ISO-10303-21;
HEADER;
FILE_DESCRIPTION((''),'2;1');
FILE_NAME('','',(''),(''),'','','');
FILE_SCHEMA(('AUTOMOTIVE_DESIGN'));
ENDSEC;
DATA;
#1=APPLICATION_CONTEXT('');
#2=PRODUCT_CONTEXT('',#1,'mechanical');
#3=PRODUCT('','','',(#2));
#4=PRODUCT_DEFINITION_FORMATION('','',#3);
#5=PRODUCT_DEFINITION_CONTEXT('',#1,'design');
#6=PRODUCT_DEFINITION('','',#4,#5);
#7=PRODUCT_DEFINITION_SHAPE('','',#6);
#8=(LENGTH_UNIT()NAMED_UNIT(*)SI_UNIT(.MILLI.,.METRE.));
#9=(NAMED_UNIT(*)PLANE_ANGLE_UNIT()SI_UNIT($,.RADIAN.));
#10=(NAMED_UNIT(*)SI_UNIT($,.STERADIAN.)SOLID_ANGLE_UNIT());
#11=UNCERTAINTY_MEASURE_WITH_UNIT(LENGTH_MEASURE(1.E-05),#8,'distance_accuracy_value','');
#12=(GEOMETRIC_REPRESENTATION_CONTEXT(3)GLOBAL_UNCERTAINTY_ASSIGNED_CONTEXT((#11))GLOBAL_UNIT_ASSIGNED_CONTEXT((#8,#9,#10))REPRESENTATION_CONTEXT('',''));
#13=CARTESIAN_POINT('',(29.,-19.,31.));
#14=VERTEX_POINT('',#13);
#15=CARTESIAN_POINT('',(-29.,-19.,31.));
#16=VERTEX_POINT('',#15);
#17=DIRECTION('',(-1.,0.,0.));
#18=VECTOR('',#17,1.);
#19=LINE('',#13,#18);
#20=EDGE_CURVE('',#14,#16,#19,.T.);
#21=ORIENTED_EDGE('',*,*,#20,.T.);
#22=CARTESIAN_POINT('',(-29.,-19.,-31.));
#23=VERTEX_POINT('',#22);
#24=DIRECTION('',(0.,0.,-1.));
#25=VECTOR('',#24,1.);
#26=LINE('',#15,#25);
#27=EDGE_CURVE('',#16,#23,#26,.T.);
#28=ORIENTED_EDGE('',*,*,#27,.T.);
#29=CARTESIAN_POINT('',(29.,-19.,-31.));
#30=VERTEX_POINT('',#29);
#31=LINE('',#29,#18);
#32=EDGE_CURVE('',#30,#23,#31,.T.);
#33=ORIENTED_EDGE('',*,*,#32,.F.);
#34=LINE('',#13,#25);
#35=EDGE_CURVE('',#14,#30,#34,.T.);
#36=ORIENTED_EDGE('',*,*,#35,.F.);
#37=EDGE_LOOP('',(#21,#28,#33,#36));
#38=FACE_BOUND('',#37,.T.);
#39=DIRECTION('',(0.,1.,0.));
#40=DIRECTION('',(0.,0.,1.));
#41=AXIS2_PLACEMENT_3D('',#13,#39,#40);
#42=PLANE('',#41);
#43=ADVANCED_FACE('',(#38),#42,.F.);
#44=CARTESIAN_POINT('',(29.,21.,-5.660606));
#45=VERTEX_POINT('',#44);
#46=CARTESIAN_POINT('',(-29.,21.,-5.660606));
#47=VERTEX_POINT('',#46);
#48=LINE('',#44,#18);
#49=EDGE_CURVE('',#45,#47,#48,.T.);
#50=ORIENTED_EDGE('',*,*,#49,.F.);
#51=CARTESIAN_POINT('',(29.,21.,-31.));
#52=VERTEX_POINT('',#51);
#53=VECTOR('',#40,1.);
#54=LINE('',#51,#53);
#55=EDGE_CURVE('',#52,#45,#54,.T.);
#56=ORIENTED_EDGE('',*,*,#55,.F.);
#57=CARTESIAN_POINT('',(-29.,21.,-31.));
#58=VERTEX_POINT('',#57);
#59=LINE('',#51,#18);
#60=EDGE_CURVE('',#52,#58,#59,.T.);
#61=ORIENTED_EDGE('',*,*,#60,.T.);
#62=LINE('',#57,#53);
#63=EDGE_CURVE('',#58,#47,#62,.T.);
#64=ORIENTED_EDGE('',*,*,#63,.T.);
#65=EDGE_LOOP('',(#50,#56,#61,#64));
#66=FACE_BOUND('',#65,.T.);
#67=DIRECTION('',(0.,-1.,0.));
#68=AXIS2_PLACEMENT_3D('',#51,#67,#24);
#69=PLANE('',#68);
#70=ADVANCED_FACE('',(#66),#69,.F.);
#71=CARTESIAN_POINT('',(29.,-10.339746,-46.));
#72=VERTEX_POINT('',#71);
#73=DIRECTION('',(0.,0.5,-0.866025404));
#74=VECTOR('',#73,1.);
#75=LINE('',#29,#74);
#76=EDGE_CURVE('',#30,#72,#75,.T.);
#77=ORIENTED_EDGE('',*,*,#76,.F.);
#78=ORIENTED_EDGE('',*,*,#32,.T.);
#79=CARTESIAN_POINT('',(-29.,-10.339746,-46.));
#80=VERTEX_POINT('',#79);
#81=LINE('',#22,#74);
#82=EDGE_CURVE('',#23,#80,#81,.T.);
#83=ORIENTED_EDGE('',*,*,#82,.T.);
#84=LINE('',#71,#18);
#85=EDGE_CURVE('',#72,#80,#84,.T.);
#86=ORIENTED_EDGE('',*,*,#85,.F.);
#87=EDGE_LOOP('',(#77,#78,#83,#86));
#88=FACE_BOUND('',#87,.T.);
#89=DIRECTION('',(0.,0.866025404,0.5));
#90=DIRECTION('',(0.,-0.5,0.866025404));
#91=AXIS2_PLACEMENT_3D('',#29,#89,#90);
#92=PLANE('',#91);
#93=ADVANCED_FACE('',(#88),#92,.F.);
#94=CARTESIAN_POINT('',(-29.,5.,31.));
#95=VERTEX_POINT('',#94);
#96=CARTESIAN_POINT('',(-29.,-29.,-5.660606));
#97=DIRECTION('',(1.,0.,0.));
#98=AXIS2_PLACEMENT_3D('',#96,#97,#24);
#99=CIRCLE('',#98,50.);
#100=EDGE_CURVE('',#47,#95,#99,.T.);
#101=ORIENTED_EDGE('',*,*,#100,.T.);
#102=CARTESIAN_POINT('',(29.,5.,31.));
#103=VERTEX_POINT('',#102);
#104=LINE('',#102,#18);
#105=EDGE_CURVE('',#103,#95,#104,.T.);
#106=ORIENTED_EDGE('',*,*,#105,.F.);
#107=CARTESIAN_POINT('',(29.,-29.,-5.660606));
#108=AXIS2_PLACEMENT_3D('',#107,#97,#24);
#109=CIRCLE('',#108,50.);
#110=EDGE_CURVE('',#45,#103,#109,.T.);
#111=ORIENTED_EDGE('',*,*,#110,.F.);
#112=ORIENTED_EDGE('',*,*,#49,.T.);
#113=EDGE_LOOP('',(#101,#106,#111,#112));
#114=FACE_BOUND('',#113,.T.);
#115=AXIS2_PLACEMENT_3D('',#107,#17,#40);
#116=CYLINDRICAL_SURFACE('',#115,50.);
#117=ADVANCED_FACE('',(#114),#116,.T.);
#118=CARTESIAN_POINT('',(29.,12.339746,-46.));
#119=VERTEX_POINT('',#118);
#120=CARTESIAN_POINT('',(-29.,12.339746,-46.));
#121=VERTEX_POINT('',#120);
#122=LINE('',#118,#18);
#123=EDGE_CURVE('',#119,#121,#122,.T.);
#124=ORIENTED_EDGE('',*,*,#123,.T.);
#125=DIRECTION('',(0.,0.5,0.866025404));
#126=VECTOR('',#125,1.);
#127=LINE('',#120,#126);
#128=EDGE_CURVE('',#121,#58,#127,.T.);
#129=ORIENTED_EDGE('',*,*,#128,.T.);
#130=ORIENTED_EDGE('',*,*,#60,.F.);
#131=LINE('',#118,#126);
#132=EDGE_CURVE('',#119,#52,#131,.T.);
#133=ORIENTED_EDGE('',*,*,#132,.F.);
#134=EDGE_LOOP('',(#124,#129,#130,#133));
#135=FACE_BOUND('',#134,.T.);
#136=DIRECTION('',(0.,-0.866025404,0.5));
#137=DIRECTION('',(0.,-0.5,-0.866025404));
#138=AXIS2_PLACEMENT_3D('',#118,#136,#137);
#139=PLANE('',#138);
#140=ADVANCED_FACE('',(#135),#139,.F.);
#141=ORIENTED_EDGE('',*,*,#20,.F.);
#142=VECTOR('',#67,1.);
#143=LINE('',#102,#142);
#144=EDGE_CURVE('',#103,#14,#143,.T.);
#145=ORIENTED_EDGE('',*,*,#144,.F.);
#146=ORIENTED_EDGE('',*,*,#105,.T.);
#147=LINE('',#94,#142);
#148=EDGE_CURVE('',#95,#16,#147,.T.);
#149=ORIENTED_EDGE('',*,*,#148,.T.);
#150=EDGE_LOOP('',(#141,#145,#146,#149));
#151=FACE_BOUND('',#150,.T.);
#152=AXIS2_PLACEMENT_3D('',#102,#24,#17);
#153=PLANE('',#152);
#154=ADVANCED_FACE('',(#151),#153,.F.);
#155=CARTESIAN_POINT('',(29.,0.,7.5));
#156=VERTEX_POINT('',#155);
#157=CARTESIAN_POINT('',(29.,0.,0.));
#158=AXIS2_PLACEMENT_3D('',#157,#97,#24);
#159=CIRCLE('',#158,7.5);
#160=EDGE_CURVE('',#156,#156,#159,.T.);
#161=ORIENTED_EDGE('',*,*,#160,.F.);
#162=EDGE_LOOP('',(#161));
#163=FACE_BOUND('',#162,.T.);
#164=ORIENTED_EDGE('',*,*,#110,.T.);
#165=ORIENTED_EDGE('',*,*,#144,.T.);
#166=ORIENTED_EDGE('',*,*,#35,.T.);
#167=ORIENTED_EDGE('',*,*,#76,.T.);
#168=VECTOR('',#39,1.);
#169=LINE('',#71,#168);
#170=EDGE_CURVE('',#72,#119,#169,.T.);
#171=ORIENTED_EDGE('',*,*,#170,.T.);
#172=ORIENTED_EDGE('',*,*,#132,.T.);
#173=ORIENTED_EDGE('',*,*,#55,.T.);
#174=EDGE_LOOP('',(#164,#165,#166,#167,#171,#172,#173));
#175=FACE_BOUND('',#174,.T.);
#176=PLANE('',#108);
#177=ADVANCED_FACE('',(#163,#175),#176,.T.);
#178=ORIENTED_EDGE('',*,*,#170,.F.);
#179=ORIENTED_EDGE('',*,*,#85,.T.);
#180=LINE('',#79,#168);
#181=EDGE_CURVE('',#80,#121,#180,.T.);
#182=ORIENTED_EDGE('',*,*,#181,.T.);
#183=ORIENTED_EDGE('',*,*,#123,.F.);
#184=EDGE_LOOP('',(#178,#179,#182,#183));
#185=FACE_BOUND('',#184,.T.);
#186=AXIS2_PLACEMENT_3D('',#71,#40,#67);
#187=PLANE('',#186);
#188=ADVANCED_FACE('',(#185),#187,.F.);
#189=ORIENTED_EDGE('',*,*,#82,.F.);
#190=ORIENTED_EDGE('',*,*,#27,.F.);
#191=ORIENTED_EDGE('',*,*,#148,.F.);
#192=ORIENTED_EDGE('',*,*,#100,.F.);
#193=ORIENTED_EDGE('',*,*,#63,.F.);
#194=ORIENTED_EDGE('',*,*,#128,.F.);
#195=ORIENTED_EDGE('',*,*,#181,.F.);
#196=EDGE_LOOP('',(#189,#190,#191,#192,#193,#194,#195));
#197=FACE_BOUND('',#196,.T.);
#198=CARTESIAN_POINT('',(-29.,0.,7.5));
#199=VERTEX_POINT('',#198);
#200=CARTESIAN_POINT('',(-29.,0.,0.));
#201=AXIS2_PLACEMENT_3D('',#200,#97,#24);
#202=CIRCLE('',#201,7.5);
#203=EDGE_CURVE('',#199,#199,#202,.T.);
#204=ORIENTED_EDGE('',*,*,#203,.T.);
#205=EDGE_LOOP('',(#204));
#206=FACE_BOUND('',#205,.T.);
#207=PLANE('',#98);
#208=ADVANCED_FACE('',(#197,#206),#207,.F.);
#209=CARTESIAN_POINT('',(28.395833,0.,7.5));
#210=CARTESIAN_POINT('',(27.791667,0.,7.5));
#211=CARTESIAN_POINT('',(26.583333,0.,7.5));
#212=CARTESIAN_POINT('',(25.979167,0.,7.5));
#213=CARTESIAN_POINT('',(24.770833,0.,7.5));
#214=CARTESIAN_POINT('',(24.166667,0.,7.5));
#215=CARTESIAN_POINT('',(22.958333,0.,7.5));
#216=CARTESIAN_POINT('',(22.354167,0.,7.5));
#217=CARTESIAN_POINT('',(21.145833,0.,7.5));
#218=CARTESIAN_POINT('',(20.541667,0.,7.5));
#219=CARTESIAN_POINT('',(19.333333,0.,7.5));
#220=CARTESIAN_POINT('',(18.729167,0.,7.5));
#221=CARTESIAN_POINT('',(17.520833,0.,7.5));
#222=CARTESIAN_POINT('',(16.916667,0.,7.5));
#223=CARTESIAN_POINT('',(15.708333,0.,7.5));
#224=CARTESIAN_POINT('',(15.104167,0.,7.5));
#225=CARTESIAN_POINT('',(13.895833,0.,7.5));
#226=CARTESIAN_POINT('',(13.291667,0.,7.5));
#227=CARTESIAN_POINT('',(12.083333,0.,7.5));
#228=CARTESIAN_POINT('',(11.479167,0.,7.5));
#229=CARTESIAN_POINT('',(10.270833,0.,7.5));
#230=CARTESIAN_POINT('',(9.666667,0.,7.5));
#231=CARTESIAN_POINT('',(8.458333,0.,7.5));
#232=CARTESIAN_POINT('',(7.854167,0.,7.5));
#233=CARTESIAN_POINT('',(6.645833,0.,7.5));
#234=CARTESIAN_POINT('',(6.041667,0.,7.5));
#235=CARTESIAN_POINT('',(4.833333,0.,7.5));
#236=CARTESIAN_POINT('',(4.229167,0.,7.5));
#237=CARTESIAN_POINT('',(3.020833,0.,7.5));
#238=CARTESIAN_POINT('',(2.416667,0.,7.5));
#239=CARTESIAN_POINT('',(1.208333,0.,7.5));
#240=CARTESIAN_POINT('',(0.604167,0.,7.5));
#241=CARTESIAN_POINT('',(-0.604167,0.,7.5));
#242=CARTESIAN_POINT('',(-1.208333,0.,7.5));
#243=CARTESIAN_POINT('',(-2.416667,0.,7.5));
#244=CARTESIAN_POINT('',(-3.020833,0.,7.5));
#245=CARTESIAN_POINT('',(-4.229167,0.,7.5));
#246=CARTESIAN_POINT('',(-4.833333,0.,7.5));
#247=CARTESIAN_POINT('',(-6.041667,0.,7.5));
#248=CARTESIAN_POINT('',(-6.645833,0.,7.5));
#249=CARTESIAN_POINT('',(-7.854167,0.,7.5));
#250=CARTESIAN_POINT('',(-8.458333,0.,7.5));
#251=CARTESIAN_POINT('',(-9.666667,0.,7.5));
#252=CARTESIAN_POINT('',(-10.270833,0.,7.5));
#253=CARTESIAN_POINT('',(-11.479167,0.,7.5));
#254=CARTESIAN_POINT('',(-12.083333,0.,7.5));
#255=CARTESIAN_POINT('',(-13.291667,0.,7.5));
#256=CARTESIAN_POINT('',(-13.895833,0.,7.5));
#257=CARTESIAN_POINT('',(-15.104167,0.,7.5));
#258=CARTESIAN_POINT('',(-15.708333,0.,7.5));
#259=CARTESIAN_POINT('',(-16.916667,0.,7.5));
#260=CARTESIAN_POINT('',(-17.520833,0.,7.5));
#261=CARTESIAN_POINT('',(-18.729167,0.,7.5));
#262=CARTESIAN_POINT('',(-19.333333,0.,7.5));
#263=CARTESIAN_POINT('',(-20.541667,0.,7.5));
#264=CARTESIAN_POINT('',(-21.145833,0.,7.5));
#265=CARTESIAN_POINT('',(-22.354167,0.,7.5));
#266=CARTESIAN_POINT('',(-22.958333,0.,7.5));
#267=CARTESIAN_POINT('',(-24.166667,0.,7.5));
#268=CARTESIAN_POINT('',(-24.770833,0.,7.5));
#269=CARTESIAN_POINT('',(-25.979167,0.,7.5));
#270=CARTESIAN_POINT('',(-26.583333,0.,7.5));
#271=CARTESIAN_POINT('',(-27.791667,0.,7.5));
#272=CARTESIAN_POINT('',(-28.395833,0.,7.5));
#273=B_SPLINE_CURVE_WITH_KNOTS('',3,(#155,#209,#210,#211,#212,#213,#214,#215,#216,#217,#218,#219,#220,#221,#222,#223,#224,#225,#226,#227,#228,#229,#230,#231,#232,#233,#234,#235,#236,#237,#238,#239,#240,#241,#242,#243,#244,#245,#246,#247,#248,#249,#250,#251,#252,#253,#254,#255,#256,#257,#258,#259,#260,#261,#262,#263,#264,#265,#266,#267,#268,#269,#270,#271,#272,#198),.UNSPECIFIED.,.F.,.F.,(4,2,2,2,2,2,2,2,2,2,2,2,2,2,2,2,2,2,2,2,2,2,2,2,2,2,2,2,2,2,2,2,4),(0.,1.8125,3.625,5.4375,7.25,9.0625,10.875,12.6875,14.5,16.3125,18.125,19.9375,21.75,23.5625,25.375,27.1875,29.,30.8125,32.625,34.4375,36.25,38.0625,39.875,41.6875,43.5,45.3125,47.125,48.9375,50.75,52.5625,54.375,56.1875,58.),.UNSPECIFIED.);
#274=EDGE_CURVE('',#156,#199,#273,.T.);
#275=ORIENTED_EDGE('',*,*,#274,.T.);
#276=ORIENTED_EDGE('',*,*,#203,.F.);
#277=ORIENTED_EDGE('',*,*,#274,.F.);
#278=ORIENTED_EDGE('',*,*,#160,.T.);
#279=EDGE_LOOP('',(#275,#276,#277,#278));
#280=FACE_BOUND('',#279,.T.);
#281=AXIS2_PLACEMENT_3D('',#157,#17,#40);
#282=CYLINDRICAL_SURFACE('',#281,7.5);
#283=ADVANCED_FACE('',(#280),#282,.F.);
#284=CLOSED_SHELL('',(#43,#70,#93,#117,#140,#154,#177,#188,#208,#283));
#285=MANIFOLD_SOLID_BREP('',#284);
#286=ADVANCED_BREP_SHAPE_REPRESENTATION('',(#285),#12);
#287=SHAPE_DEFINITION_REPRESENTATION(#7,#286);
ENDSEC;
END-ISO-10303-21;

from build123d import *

# Parameters (mm, degrees)
SKETCH1_R           = 7.5
BOSS_EXTRUDE1_DEPTH = 29


with BuildPart() as part:
    # Sketch1 → Boss-Extrude1 (new, symmetric)
    with BuildSketch(Plane(origin=(0, 0, 0), x_dir=(0, 0, -1), z_dir=(1, 0, 0))):
        with BuildLine():
            Line((-31, 5), (-31, -19))
            Line((-31, -19), (31, -19))
            Line((31, -19), (46, -10.339745962))
            Line((46, -10.339745962), (46, 12.339745962))
            Line((46, 12.339745962), (31, 21))
            Line((31, 21), (5.66060556, 21))
            ThreePointArc((5.66060556, 21), (-14.33939444, 16.82575695), (-31, 5))
        make_face()
        with Locations(Location((0, 0, 0), (0, 0, 180))):
            Circle(SKETCH1_R, mode=Mode.SUBTRACT)
    extrude(amount=BOSS_EXTRUDE1_DEPTH, both=True)


solid = part.part
